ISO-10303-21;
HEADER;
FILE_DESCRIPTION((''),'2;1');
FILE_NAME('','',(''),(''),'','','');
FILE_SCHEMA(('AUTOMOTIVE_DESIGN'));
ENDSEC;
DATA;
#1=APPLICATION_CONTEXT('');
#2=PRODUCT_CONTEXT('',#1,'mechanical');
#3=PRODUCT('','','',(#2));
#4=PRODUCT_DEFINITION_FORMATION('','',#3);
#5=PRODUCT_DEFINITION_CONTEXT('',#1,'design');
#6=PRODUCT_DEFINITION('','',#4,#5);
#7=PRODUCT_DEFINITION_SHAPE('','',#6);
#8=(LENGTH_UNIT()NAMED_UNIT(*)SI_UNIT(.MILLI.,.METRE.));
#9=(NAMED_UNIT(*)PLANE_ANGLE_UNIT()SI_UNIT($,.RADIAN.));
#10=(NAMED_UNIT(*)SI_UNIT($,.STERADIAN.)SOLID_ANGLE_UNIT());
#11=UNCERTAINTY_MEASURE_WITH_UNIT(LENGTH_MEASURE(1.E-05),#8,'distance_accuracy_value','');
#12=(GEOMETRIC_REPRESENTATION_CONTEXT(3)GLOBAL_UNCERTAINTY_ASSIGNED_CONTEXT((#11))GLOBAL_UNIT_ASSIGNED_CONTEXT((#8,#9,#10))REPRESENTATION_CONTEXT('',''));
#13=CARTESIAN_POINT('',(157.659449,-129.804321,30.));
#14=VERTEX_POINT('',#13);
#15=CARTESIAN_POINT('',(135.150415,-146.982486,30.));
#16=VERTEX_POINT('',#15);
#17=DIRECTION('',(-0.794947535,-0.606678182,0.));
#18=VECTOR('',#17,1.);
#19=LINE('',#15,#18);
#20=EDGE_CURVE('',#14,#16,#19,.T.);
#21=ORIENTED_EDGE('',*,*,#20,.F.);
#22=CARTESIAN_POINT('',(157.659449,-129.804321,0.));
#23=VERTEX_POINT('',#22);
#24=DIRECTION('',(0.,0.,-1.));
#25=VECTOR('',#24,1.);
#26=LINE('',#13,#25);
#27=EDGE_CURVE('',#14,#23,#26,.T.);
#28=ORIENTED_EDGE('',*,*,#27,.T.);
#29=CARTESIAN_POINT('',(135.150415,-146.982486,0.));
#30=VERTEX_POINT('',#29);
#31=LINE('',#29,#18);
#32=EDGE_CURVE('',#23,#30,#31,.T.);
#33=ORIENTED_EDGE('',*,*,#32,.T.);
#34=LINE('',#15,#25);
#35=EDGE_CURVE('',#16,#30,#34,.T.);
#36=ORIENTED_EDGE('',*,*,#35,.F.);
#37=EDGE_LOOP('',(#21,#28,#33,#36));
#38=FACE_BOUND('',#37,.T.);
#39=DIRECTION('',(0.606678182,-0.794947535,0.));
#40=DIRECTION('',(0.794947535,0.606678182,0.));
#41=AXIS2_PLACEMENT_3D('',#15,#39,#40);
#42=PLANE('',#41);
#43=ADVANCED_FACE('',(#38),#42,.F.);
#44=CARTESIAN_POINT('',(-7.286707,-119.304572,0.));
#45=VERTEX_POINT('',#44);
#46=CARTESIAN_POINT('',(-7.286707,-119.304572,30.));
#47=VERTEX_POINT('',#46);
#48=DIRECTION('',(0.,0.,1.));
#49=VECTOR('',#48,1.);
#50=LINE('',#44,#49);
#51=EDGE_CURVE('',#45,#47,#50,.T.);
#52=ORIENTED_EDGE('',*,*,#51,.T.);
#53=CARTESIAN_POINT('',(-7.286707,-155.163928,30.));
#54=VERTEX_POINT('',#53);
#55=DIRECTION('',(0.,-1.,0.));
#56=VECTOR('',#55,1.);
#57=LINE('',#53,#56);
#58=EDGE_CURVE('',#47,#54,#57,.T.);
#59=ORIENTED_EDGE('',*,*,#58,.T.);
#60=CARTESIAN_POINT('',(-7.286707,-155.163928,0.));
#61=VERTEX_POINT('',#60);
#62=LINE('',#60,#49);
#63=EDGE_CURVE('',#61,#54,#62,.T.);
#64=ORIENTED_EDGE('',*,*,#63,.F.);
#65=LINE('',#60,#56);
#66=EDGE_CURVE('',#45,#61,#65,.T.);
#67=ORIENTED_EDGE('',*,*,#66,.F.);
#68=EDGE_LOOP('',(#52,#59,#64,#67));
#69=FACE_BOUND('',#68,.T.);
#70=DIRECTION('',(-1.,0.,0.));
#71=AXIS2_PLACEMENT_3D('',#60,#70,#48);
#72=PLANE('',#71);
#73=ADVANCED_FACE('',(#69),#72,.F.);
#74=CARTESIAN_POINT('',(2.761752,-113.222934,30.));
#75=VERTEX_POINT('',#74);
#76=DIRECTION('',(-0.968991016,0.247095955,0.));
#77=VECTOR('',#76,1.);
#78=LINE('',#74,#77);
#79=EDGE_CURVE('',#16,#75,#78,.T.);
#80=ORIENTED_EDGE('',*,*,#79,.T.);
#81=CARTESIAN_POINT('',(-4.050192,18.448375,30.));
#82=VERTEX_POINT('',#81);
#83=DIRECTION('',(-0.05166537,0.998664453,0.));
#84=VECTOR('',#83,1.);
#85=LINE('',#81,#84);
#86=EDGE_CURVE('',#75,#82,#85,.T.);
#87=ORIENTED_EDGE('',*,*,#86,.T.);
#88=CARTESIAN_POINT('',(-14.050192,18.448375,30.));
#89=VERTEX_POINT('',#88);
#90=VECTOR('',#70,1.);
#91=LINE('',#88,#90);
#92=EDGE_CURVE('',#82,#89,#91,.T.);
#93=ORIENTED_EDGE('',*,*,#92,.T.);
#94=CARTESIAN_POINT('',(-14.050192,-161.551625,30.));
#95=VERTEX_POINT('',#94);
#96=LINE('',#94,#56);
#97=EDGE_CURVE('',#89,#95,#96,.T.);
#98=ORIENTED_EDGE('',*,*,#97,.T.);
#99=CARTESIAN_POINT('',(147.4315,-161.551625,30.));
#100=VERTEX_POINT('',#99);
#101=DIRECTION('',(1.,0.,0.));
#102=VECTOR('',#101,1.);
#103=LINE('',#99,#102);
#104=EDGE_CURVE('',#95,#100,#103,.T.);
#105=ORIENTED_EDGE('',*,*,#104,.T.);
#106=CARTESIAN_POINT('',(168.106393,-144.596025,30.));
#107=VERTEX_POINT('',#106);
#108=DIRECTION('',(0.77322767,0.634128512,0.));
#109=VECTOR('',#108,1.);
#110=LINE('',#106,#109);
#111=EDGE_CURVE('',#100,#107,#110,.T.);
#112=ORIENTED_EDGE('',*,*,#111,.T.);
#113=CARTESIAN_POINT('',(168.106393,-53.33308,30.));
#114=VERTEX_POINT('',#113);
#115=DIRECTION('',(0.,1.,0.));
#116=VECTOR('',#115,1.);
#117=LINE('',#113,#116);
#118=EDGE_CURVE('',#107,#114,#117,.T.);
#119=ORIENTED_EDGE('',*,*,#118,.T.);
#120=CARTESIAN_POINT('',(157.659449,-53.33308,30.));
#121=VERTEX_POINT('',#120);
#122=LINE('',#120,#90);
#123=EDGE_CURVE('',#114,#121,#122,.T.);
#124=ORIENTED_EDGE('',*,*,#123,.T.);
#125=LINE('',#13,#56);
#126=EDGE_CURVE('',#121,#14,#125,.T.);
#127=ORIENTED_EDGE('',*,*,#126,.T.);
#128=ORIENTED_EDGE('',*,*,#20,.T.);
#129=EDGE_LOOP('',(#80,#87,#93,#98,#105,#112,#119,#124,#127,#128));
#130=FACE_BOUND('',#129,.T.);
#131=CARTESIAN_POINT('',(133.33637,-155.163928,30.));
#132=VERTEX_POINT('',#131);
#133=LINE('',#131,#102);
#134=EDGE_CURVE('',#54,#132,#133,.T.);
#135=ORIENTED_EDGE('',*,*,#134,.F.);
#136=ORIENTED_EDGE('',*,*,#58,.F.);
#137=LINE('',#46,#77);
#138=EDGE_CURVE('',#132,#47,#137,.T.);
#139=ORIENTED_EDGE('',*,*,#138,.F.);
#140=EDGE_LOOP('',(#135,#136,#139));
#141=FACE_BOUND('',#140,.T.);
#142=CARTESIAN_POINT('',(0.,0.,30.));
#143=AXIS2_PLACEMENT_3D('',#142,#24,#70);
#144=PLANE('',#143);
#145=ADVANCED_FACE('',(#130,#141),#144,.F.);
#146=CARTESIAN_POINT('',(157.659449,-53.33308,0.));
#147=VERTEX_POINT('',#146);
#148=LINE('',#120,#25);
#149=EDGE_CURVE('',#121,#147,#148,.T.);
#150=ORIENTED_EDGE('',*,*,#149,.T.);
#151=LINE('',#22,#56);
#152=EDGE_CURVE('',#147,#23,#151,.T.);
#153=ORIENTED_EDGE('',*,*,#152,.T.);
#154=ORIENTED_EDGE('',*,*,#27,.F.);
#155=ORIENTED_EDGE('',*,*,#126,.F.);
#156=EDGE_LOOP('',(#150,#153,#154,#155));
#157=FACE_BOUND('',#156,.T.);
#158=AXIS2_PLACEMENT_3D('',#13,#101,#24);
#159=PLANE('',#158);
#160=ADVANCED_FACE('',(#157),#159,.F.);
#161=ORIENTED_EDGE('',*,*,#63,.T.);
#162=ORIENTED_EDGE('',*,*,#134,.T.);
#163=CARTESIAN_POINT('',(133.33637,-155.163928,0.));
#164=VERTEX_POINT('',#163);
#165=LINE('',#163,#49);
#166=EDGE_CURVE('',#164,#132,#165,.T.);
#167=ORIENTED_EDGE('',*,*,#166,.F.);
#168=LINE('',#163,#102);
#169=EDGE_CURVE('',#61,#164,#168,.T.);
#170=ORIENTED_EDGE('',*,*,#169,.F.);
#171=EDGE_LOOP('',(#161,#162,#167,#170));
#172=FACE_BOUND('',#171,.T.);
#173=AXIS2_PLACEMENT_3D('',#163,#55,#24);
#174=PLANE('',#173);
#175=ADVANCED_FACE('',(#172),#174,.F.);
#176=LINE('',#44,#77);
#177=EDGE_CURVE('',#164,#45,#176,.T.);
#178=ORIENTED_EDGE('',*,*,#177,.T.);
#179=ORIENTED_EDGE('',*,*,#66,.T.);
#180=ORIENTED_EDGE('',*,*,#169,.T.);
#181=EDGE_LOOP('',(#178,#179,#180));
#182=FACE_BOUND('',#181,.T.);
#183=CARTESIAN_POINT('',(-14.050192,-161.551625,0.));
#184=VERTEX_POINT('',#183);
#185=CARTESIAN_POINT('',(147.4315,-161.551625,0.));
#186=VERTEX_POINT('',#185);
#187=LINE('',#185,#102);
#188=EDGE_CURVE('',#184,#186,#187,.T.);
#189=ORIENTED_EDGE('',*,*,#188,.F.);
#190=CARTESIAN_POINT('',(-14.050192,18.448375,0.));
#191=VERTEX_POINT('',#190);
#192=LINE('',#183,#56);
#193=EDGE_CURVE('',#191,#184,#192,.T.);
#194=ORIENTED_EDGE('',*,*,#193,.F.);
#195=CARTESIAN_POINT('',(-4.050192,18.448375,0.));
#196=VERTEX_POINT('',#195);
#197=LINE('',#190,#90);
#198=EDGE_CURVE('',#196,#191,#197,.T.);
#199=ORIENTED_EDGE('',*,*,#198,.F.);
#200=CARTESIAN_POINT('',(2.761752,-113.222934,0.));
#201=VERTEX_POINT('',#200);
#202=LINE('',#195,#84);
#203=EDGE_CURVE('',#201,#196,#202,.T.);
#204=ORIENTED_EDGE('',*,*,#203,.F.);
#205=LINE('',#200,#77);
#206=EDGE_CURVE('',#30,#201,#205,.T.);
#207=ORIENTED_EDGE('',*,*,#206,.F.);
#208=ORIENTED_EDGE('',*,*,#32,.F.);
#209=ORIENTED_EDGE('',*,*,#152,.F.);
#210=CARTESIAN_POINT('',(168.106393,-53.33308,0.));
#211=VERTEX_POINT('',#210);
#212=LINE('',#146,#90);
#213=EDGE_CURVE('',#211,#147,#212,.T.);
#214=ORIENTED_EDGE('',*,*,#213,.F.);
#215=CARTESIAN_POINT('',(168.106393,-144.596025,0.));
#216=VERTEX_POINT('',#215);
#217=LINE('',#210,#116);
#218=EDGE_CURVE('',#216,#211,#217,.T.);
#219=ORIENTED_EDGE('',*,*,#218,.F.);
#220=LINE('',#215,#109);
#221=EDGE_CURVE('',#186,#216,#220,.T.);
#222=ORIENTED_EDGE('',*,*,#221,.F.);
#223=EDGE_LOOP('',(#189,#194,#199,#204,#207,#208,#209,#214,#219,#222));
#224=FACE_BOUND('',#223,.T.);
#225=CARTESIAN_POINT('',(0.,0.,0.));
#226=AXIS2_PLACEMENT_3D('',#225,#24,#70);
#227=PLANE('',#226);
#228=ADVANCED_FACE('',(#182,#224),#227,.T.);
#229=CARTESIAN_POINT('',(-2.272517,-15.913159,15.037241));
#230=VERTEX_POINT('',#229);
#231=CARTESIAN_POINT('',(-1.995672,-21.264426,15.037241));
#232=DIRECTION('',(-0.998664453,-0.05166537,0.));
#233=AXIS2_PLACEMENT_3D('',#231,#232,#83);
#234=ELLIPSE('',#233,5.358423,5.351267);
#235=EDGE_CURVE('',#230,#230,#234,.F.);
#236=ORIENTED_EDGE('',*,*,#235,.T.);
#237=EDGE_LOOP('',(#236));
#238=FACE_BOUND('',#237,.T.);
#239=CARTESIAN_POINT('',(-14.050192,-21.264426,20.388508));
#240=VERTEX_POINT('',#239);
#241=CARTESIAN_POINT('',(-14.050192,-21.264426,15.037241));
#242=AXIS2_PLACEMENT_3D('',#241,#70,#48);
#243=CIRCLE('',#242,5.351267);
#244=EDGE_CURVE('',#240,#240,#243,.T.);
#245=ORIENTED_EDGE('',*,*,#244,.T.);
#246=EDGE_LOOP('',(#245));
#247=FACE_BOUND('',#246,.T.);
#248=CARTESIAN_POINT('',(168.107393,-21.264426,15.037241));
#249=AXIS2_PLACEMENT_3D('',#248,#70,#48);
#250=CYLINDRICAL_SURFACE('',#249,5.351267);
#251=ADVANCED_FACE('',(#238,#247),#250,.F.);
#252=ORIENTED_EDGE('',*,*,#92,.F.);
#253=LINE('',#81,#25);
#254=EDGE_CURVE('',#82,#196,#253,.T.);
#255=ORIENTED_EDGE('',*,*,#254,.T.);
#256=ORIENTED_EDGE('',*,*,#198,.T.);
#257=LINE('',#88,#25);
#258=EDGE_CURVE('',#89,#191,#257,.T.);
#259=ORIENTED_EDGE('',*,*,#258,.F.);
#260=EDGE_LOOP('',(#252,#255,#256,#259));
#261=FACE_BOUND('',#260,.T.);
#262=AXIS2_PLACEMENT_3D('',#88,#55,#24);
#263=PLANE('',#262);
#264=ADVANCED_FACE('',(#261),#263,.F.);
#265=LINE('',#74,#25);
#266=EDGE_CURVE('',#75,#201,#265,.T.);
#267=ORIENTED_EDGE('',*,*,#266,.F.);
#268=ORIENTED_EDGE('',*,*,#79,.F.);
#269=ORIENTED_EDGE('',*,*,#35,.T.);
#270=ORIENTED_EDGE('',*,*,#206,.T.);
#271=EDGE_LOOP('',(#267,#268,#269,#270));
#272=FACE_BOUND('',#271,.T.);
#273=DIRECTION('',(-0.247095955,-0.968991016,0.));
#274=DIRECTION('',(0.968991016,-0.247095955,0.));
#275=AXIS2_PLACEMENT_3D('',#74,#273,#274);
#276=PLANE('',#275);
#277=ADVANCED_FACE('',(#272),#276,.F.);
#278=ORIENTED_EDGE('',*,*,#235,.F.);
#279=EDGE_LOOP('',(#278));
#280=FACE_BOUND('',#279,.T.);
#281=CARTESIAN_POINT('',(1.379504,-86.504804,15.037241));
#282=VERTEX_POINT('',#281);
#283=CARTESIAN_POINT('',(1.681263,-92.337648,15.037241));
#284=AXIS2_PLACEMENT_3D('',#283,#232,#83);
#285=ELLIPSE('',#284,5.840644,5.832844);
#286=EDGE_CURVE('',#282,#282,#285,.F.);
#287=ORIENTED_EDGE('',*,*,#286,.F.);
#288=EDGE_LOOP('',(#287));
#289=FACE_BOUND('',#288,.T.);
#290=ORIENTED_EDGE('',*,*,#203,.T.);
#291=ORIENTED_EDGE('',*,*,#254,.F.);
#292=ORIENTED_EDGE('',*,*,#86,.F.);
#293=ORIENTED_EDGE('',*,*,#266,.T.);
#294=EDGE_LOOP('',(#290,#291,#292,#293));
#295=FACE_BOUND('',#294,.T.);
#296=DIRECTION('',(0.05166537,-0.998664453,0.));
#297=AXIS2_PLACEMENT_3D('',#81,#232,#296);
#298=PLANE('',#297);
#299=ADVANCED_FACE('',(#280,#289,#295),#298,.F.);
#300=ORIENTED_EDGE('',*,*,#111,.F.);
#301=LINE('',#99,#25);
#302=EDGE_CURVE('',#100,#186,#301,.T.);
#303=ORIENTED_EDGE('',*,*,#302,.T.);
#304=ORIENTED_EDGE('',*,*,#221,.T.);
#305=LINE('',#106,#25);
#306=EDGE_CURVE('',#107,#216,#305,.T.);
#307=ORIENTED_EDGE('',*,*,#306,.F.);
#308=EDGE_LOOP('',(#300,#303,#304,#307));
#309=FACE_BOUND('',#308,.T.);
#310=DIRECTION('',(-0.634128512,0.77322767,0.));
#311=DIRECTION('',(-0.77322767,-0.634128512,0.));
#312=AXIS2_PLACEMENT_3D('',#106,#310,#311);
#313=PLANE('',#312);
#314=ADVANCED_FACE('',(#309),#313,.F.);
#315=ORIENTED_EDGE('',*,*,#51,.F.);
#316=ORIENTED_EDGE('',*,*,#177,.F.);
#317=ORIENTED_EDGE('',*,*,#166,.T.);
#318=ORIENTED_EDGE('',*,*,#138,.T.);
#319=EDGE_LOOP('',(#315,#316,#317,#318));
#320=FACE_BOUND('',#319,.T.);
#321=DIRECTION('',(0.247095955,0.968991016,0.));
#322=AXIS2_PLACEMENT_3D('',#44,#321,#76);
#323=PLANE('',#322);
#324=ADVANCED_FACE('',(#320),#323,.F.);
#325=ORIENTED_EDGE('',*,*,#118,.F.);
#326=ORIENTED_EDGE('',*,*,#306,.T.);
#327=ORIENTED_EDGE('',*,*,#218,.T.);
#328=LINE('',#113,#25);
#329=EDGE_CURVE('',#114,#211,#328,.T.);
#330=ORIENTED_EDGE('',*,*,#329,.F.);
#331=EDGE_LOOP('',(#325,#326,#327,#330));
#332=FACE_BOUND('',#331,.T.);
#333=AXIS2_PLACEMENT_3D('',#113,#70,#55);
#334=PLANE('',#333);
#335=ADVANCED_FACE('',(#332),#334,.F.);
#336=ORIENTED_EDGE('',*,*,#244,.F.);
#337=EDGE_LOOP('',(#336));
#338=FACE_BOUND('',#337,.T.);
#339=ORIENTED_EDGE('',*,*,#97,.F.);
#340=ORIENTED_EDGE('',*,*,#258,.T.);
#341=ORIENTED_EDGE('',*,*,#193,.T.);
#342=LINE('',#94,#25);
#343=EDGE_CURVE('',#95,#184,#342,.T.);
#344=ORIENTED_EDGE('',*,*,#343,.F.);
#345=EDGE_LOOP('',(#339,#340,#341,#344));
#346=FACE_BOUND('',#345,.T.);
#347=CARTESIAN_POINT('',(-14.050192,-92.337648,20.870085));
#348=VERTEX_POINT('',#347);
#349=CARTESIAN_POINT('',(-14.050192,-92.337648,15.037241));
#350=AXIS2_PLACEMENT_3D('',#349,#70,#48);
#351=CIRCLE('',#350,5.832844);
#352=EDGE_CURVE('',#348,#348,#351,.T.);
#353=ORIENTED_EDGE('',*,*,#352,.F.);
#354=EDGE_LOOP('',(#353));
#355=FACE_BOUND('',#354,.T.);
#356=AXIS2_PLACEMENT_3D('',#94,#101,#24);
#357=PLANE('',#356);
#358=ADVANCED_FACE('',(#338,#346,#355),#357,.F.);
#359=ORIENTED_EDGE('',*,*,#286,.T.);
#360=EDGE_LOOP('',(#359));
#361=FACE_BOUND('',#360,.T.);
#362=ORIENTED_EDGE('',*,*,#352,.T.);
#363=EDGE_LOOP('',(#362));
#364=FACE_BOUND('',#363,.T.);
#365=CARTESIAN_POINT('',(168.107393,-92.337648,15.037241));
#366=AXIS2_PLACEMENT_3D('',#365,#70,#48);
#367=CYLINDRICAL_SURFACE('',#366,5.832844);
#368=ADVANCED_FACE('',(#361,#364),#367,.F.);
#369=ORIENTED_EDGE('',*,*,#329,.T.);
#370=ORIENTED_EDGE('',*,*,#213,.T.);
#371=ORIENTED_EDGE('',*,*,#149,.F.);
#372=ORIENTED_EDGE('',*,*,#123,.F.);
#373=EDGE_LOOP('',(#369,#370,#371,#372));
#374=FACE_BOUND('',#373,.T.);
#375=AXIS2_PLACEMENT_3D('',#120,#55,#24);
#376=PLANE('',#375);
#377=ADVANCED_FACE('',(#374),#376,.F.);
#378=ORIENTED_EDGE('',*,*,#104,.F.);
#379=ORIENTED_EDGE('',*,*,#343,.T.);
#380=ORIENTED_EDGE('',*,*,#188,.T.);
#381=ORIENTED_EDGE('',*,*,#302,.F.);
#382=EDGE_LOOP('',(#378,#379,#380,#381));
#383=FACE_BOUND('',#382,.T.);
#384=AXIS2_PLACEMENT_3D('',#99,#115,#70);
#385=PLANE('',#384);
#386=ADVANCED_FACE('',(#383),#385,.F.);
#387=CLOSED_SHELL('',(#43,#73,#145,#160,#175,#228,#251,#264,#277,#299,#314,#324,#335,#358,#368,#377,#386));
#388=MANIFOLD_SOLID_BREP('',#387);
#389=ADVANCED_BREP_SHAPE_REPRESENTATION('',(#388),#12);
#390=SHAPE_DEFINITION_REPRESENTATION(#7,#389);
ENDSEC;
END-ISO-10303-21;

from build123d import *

# Parameters (mm, degrees)
BOSS_EXTRU_1_DEPTH      = 30
ENL_V_MAT_EXTRU_1_REACH = 247.316
ESQUISSE3_R             = 5.832843768
ESQUISSE3_R_2           = 5.351266955
ENL_V_MAT_EXTRU_2_DEPTH = 236.071663242


with BuildPart() as part:
    # Esquisse1 → Boss.-Extru.1 (new body)
    with BuildSketch(Plane.XY):
        Polygon((-14.050192106, 18.448375062), (-4.050192106, 18.448375062), (2.761752479, -113.222934174), (135.150414635, -146.982486488), (157.659448917, -129.804321414), (157.659448917, -53.333080108), (168.106392916, -53.333080108), (168.106392916, -144.596025192), (147.431500323, -161.551624938), (-14.050192106, -161.551624938), align=None)
    extrude(amount=BOSS_EXTRU_1_DEPTH)

    # Enlèv. mat.-Extru.1: up to this plane
    enl_v_mat_extru_1_end = Plane(origin=(-4.050192106, 18.448375062, 30), z_dir=(-0.9986644529274081, -0.05166537001900487, 0))
    # Esquisse3 → Enlèv. mat.-Extru.1 (cut, up to the surface)
    with BuildSketch(Plane.ZY.offset(14.050192106), mode=Mode.PRIVATE) as enl_v_mat_extru_1_sk1:
        with Locations((15.037241333, -92.337647956)):
            Circle(ESQUISSE3_R)
    enl_v_mat_extru_1_tool1 = split(extrude(enl_v_mat_extru_1_sk1.sketch, amount=-ENL_V_MAT_EXTRU_1_REACH, mode=Mode.PRIVATE), bisect_by=enl_v_mat_extru_1_end, keep=Keep.BOTH, mode=Mode.PRIVATE)
    add(enl_v_mat_extru_1_tool1.solids().sort_by_distance((-14.050192, -92.337648, 15.037241))[0], mode=Mode.SUBTRACT)
    # Esquisse3 → Enlèv. mat.-Extru.1 (cut, up to the surface)
    with BuildSketch(Plane.ZY.offset(14.050192106), mode=Mode.PRIVATE) as enl_v_mat_extru_1_sk2:
        with Locations((15.037241333, -21.264425603)):
            Circle(ESQUISSE3_R_2)
    enl_v_mat_extru_1_tool2 = split(extrude(enl_v_mat_extru_1_sk2.sketch, amount=-ENL_V_MAT_EXTRU_1_REACH, mode=Mode.PRIVATE), bisect_by=enl_v_mat_extru_1_end, keep=Keep.BOTH, mode=Mode.PRIVATE)
    add(enl_v_mat_extru_1_tool2.solids().sort_by_distance((-14.050192, -21.264426, 15.037241))[0], mode=Mode.SUBTRACT)

    # Esquisse5 → Enlèv. mat.-Extru.2 (cut, through all)
    with BuildSketch(Plane.XY.offset(30)):
        Polygon((-7.286706934, -119.304572357), (133.336369925, -155.163928004), (-7.286706934, -155.163928004), align=None)
    extrude(amount=-ENL_V_MAT_EXTRU_2_DEPTH, mode=Mode.SUBTRACT)


solid = part.part
